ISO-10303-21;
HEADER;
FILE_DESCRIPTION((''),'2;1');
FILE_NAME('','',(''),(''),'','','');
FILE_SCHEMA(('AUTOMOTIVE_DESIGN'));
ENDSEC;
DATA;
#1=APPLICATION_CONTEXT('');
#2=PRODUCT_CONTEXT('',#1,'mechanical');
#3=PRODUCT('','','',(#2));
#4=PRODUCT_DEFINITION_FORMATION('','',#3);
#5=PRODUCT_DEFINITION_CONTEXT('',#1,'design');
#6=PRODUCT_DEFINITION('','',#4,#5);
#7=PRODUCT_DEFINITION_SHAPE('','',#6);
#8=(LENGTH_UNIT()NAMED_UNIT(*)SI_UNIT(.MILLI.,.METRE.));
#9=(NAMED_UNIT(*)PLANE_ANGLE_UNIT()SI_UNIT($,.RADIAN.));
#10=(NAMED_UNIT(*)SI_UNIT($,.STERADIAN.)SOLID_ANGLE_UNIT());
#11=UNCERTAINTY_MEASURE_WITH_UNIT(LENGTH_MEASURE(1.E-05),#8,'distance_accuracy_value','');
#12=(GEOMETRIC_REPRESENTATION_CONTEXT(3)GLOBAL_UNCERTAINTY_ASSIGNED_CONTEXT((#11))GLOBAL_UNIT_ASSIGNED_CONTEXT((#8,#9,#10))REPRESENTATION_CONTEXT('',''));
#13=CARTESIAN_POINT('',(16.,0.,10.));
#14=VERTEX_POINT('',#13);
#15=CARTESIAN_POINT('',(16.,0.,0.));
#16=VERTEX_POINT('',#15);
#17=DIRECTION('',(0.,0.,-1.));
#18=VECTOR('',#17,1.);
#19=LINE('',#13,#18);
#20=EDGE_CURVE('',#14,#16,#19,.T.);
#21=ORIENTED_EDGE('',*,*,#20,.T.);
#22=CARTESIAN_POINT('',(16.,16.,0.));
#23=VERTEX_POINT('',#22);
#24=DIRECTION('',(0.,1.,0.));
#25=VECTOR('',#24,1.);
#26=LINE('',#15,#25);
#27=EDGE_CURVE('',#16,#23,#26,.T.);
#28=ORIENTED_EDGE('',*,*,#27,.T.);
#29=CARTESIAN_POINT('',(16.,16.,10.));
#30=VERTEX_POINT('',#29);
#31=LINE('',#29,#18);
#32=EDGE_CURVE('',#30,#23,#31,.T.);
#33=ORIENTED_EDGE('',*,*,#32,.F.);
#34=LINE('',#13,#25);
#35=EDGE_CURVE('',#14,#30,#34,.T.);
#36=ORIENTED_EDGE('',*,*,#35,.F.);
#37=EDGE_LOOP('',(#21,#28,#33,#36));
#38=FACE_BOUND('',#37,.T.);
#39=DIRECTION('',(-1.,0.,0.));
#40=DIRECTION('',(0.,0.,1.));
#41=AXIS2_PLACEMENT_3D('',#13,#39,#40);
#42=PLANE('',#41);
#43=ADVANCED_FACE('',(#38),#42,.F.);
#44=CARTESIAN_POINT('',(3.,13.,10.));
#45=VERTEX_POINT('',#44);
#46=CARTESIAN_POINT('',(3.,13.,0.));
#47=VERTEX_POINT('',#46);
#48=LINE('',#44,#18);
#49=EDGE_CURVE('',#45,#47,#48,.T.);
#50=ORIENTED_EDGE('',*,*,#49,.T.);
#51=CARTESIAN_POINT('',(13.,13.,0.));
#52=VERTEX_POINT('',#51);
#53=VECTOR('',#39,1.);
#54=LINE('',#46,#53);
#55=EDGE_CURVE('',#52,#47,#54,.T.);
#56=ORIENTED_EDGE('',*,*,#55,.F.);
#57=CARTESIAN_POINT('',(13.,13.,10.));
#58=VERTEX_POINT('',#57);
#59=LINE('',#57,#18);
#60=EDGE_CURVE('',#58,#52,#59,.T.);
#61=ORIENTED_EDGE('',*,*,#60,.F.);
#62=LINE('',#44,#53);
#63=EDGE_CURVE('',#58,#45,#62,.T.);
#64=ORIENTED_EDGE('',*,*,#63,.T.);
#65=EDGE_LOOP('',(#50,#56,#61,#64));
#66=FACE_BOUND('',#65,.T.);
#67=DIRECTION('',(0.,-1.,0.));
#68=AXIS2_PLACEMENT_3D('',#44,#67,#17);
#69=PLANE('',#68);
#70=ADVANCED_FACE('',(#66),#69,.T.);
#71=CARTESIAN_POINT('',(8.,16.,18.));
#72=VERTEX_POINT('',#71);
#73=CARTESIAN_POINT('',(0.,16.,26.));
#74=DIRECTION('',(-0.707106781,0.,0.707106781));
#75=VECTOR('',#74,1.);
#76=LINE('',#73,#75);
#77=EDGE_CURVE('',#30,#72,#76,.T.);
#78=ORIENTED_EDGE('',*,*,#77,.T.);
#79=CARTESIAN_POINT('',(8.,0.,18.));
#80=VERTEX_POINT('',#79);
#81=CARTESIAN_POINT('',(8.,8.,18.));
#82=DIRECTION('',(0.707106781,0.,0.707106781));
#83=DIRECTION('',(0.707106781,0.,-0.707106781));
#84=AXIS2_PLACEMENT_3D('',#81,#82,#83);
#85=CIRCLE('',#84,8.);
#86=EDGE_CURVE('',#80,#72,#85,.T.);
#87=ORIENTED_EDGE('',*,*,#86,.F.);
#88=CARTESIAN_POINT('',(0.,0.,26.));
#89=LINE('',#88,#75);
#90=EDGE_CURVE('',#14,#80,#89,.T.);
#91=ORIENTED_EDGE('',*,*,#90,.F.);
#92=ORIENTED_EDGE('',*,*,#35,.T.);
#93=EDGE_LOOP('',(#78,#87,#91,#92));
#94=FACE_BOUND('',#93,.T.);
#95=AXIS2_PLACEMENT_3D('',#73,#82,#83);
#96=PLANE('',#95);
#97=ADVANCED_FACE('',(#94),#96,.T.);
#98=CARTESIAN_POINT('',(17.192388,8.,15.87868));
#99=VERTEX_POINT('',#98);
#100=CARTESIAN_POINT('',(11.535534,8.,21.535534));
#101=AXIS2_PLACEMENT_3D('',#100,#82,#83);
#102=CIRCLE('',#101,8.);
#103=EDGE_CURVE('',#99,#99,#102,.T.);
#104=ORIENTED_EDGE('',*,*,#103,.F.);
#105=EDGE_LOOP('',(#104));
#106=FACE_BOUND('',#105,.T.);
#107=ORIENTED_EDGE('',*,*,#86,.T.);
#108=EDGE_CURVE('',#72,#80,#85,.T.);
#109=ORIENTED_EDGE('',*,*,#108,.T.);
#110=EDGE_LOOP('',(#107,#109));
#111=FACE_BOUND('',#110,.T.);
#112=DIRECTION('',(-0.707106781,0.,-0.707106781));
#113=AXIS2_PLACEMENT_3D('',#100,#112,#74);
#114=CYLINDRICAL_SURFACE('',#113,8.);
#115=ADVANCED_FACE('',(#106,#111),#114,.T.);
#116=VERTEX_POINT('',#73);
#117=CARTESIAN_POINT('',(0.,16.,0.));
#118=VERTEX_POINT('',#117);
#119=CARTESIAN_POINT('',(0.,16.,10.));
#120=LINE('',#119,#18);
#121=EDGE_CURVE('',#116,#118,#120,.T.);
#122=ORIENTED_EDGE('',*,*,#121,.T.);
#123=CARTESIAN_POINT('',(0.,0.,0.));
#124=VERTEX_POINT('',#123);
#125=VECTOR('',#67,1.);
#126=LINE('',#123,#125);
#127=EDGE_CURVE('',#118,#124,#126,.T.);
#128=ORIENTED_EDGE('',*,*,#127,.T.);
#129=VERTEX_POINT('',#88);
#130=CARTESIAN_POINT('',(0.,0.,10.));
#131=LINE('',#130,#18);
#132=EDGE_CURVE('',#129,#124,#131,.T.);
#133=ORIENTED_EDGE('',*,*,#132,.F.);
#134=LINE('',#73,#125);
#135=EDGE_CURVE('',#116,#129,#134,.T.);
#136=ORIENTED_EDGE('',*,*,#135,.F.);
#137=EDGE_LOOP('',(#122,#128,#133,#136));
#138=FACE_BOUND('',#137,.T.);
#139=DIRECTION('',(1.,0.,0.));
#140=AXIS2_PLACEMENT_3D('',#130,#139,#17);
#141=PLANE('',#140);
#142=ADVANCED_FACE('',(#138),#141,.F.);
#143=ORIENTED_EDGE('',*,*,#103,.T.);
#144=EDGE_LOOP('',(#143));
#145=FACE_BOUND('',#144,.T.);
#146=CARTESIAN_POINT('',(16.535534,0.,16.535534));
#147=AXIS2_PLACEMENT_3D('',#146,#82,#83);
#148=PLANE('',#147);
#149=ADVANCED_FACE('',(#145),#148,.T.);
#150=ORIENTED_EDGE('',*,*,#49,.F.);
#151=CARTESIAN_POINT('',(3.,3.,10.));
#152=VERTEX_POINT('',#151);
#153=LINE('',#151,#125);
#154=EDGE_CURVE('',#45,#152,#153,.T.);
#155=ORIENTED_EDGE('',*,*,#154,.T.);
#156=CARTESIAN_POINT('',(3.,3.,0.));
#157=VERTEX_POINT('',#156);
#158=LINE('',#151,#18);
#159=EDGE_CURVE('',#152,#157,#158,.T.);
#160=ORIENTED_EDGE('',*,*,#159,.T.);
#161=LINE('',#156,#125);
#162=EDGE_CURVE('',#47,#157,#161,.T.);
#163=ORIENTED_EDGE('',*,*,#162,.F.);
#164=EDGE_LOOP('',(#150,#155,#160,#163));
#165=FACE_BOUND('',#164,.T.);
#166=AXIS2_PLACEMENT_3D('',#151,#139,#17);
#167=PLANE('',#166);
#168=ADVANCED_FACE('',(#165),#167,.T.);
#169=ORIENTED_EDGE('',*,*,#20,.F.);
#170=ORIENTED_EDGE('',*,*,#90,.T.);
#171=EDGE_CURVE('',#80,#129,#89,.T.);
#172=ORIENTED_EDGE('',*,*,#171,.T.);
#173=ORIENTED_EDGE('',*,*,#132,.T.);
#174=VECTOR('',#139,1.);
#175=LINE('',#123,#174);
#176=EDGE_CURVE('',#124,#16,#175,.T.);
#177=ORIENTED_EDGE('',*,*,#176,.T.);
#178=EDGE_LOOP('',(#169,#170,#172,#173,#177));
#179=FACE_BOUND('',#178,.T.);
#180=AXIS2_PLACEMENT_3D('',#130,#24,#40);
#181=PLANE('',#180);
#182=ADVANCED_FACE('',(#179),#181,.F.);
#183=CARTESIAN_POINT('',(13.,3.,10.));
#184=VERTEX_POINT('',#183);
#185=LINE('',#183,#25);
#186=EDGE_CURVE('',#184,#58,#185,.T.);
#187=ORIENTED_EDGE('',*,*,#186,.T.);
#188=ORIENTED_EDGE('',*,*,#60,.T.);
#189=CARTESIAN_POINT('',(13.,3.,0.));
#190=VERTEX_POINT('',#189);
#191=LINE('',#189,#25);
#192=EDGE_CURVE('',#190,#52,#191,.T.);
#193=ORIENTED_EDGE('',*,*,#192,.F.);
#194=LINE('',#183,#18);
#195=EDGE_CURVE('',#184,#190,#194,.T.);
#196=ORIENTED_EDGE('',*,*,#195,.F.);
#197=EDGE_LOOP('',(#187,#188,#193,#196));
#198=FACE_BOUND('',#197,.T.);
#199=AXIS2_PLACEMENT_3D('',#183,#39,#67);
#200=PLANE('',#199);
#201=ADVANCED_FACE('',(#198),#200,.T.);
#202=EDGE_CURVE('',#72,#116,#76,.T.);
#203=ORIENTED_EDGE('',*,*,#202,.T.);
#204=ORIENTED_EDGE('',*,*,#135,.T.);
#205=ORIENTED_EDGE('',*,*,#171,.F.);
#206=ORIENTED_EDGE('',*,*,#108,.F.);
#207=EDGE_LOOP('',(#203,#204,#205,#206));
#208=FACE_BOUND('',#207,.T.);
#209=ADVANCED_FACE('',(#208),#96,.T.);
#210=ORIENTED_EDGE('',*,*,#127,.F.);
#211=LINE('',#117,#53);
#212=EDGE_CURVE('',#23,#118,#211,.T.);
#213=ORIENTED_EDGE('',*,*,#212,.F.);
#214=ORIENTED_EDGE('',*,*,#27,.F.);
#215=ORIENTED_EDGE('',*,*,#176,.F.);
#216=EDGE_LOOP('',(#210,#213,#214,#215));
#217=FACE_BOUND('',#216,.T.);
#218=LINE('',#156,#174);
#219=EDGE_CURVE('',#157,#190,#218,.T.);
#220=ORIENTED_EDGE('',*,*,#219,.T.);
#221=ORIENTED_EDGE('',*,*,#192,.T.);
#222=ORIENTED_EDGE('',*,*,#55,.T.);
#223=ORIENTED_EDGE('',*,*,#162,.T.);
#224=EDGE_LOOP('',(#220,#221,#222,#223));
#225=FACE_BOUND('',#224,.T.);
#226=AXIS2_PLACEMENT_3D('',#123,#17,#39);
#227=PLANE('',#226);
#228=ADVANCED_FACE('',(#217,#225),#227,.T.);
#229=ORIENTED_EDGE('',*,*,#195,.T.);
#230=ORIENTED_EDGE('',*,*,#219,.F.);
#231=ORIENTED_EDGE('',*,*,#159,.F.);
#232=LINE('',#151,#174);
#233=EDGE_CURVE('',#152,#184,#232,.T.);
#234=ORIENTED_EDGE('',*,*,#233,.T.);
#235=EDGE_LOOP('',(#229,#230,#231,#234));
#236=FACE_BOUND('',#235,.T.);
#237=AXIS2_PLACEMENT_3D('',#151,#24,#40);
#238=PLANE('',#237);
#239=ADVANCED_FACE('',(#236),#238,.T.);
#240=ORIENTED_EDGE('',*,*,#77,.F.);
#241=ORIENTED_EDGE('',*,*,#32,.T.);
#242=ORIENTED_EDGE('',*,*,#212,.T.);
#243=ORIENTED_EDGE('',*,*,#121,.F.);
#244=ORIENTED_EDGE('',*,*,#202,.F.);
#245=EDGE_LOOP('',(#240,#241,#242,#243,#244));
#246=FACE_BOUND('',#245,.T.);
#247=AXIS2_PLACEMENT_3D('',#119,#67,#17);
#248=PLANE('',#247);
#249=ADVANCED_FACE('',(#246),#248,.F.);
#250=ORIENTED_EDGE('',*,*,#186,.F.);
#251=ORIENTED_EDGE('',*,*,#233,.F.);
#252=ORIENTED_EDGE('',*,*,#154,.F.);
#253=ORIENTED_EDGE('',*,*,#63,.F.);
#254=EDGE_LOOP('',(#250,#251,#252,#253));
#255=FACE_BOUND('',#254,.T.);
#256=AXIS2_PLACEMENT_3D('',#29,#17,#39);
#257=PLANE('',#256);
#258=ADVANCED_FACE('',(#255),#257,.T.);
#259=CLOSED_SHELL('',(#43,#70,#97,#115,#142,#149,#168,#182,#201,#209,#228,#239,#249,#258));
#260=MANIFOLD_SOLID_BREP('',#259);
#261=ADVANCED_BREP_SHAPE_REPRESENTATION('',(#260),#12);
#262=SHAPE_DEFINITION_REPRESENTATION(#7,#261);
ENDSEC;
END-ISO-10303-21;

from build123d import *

# Parameters (mm, degrees)
SKETCH_1_W      = 16
SKETCH_1_H      = 16
SKETCH_1_W_2    = 10
SKETCH_1_H_2    = 10
EXTRUDE_1_DEPTH = 10
EXTRUDE_2_DEPTH = 16
EXTRUDE_3_DEPTH = 5


with BuildPart() as part:
    # 草图1 → 凸台-拉伸1 (new body)
    with BuildSketch(Plane.XY):
        with Locations((8, 8)):
            Rectangle(SKETCH_1_W, SKETCH_1_H)
        with Locations((8, 8)):
            Rectangle(SKETCH_1_W_2, SKETCH_1_H_2, mode=Mode.SUBTRACT)
    extrude(amount=EXTRUDE_1_DEPTH)

    # 草图2 → 凸台-拉伸2 (add)
    with BuildSketch(Plane.XZ):
        Polygon((0, 10), (0, 26), (16, 10), align=None)
    extrude(amount=-EXTRUDE_2_DEPTH)

    # 草图6 → 凸台-拉伸3 (add)
    with BuildSketch(Plane(origin=(13, 0, 13), x_dir=(0.7071067811865475, 0, -0.7071067811865477), z_dir=(0.7071067811865477, 0, 0.7071067811865475))):
        with BuildLine():
            ThreePointArc((-7.071067812, 16), (-15.071067812, 8), (-7.071067812, 0))
            Line((-7.071067812, 0), (-7.071067812, 16))
        make_face()
        with BuildLine():
            Line((-7.071067812, 16), (-7.071067812, 0))
            ThreePointArc((-7.071067812, 0), (-1.414213562, 2.343145751), (0.928932188, 8))
            ThreePointArc((0.928932188, 8), (-1.414213562, 13.656854249), (-7.071067812, 16))
        make_face()
    extrude(amount=EXTRUDE_3_DEPTH)


solid = part.part
